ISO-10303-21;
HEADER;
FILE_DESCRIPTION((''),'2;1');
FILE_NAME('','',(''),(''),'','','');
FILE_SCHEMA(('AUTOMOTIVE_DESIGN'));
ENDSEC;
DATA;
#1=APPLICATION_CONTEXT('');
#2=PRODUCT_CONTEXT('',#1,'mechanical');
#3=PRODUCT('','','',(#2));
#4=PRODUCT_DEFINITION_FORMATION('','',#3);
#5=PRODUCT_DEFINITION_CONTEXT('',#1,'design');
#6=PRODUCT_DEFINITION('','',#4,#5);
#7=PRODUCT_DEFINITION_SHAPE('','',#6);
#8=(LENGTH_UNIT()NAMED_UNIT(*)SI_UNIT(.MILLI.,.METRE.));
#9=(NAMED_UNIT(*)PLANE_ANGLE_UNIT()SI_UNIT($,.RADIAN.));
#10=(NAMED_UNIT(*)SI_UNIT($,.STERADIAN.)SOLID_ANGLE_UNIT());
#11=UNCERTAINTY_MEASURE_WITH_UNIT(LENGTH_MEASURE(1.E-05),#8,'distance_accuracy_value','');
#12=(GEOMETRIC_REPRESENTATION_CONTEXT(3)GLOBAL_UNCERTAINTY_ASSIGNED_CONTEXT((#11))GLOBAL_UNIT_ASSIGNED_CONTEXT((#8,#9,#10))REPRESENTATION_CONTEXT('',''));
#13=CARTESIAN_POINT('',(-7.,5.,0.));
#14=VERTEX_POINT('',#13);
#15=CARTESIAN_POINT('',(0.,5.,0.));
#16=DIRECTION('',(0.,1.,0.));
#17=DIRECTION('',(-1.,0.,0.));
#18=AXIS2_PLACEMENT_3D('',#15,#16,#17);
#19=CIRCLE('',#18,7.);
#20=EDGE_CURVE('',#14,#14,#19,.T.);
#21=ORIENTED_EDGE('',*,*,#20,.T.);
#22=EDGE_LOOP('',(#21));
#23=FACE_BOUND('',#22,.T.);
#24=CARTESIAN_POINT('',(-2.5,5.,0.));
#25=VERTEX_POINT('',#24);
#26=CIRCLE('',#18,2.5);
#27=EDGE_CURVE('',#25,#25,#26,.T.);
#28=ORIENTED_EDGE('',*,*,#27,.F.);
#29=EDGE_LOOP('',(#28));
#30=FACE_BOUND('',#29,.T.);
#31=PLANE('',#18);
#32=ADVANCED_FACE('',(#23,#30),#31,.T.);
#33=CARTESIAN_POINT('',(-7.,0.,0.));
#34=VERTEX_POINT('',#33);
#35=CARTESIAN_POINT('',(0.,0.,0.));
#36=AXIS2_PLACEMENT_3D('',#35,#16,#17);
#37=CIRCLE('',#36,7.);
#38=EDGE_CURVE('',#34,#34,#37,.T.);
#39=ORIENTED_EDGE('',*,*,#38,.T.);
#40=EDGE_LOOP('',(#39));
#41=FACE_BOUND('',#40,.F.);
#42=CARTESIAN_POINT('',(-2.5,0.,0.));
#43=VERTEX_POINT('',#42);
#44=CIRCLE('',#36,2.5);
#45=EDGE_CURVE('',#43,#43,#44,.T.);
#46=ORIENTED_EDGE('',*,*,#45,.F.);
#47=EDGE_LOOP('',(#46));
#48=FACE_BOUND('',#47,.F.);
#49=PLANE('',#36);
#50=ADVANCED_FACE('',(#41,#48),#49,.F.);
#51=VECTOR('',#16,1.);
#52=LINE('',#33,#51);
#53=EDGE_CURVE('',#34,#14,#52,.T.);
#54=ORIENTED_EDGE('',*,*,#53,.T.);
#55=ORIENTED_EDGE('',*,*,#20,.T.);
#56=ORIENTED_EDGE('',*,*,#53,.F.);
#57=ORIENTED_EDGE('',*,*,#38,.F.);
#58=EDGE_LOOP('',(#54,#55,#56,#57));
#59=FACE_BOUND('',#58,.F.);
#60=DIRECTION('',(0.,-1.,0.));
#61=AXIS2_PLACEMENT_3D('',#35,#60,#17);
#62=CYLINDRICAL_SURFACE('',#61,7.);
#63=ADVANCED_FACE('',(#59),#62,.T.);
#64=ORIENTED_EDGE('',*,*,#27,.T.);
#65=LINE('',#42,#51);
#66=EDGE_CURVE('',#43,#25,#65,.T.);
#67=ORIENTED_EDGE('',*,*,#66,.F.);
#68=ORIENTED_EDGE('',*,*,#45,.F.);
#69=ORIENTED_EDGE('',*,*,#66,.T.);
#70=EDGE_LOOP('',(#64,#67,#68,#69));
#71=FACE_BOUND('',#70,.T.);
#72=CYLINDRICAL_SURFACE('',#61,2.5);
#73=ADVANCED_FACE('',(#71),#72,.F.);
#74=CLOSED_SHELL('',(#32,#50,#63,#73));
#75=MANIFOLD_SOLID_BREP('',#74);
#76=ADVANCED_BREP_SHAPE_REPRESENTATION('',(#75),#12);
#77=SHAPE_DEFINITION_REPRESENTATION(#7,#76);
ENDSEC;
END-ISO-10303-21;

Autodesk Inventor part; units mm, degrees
ref_plane "YZ Plane" through (0, 0, 0) normal (1, 0, 0) x (0, 1, 0)
ref_plane "XZ Plane" through (0, 0, 0) normal (0, 1, 0) x (-1, 0, 0)
ref_plane "XY Plane" through (0, 0, 0) normal (0, 0, 1) x (1, 0, 0)
sketch "Эскиз1" plane through (0, 0, 0) normal (0, 1, 0) x (-1, 0, 0)
  circle A0 centre (0, 0) radius 2.5
  circle A1 centre (0, 0) radius 7
  dimension "d0" = 5
  dimension "d1" = 14
extrude "Выдавливание1" add sketch "Эскиз1" along normal blind 5
properties part number "подшипник"
